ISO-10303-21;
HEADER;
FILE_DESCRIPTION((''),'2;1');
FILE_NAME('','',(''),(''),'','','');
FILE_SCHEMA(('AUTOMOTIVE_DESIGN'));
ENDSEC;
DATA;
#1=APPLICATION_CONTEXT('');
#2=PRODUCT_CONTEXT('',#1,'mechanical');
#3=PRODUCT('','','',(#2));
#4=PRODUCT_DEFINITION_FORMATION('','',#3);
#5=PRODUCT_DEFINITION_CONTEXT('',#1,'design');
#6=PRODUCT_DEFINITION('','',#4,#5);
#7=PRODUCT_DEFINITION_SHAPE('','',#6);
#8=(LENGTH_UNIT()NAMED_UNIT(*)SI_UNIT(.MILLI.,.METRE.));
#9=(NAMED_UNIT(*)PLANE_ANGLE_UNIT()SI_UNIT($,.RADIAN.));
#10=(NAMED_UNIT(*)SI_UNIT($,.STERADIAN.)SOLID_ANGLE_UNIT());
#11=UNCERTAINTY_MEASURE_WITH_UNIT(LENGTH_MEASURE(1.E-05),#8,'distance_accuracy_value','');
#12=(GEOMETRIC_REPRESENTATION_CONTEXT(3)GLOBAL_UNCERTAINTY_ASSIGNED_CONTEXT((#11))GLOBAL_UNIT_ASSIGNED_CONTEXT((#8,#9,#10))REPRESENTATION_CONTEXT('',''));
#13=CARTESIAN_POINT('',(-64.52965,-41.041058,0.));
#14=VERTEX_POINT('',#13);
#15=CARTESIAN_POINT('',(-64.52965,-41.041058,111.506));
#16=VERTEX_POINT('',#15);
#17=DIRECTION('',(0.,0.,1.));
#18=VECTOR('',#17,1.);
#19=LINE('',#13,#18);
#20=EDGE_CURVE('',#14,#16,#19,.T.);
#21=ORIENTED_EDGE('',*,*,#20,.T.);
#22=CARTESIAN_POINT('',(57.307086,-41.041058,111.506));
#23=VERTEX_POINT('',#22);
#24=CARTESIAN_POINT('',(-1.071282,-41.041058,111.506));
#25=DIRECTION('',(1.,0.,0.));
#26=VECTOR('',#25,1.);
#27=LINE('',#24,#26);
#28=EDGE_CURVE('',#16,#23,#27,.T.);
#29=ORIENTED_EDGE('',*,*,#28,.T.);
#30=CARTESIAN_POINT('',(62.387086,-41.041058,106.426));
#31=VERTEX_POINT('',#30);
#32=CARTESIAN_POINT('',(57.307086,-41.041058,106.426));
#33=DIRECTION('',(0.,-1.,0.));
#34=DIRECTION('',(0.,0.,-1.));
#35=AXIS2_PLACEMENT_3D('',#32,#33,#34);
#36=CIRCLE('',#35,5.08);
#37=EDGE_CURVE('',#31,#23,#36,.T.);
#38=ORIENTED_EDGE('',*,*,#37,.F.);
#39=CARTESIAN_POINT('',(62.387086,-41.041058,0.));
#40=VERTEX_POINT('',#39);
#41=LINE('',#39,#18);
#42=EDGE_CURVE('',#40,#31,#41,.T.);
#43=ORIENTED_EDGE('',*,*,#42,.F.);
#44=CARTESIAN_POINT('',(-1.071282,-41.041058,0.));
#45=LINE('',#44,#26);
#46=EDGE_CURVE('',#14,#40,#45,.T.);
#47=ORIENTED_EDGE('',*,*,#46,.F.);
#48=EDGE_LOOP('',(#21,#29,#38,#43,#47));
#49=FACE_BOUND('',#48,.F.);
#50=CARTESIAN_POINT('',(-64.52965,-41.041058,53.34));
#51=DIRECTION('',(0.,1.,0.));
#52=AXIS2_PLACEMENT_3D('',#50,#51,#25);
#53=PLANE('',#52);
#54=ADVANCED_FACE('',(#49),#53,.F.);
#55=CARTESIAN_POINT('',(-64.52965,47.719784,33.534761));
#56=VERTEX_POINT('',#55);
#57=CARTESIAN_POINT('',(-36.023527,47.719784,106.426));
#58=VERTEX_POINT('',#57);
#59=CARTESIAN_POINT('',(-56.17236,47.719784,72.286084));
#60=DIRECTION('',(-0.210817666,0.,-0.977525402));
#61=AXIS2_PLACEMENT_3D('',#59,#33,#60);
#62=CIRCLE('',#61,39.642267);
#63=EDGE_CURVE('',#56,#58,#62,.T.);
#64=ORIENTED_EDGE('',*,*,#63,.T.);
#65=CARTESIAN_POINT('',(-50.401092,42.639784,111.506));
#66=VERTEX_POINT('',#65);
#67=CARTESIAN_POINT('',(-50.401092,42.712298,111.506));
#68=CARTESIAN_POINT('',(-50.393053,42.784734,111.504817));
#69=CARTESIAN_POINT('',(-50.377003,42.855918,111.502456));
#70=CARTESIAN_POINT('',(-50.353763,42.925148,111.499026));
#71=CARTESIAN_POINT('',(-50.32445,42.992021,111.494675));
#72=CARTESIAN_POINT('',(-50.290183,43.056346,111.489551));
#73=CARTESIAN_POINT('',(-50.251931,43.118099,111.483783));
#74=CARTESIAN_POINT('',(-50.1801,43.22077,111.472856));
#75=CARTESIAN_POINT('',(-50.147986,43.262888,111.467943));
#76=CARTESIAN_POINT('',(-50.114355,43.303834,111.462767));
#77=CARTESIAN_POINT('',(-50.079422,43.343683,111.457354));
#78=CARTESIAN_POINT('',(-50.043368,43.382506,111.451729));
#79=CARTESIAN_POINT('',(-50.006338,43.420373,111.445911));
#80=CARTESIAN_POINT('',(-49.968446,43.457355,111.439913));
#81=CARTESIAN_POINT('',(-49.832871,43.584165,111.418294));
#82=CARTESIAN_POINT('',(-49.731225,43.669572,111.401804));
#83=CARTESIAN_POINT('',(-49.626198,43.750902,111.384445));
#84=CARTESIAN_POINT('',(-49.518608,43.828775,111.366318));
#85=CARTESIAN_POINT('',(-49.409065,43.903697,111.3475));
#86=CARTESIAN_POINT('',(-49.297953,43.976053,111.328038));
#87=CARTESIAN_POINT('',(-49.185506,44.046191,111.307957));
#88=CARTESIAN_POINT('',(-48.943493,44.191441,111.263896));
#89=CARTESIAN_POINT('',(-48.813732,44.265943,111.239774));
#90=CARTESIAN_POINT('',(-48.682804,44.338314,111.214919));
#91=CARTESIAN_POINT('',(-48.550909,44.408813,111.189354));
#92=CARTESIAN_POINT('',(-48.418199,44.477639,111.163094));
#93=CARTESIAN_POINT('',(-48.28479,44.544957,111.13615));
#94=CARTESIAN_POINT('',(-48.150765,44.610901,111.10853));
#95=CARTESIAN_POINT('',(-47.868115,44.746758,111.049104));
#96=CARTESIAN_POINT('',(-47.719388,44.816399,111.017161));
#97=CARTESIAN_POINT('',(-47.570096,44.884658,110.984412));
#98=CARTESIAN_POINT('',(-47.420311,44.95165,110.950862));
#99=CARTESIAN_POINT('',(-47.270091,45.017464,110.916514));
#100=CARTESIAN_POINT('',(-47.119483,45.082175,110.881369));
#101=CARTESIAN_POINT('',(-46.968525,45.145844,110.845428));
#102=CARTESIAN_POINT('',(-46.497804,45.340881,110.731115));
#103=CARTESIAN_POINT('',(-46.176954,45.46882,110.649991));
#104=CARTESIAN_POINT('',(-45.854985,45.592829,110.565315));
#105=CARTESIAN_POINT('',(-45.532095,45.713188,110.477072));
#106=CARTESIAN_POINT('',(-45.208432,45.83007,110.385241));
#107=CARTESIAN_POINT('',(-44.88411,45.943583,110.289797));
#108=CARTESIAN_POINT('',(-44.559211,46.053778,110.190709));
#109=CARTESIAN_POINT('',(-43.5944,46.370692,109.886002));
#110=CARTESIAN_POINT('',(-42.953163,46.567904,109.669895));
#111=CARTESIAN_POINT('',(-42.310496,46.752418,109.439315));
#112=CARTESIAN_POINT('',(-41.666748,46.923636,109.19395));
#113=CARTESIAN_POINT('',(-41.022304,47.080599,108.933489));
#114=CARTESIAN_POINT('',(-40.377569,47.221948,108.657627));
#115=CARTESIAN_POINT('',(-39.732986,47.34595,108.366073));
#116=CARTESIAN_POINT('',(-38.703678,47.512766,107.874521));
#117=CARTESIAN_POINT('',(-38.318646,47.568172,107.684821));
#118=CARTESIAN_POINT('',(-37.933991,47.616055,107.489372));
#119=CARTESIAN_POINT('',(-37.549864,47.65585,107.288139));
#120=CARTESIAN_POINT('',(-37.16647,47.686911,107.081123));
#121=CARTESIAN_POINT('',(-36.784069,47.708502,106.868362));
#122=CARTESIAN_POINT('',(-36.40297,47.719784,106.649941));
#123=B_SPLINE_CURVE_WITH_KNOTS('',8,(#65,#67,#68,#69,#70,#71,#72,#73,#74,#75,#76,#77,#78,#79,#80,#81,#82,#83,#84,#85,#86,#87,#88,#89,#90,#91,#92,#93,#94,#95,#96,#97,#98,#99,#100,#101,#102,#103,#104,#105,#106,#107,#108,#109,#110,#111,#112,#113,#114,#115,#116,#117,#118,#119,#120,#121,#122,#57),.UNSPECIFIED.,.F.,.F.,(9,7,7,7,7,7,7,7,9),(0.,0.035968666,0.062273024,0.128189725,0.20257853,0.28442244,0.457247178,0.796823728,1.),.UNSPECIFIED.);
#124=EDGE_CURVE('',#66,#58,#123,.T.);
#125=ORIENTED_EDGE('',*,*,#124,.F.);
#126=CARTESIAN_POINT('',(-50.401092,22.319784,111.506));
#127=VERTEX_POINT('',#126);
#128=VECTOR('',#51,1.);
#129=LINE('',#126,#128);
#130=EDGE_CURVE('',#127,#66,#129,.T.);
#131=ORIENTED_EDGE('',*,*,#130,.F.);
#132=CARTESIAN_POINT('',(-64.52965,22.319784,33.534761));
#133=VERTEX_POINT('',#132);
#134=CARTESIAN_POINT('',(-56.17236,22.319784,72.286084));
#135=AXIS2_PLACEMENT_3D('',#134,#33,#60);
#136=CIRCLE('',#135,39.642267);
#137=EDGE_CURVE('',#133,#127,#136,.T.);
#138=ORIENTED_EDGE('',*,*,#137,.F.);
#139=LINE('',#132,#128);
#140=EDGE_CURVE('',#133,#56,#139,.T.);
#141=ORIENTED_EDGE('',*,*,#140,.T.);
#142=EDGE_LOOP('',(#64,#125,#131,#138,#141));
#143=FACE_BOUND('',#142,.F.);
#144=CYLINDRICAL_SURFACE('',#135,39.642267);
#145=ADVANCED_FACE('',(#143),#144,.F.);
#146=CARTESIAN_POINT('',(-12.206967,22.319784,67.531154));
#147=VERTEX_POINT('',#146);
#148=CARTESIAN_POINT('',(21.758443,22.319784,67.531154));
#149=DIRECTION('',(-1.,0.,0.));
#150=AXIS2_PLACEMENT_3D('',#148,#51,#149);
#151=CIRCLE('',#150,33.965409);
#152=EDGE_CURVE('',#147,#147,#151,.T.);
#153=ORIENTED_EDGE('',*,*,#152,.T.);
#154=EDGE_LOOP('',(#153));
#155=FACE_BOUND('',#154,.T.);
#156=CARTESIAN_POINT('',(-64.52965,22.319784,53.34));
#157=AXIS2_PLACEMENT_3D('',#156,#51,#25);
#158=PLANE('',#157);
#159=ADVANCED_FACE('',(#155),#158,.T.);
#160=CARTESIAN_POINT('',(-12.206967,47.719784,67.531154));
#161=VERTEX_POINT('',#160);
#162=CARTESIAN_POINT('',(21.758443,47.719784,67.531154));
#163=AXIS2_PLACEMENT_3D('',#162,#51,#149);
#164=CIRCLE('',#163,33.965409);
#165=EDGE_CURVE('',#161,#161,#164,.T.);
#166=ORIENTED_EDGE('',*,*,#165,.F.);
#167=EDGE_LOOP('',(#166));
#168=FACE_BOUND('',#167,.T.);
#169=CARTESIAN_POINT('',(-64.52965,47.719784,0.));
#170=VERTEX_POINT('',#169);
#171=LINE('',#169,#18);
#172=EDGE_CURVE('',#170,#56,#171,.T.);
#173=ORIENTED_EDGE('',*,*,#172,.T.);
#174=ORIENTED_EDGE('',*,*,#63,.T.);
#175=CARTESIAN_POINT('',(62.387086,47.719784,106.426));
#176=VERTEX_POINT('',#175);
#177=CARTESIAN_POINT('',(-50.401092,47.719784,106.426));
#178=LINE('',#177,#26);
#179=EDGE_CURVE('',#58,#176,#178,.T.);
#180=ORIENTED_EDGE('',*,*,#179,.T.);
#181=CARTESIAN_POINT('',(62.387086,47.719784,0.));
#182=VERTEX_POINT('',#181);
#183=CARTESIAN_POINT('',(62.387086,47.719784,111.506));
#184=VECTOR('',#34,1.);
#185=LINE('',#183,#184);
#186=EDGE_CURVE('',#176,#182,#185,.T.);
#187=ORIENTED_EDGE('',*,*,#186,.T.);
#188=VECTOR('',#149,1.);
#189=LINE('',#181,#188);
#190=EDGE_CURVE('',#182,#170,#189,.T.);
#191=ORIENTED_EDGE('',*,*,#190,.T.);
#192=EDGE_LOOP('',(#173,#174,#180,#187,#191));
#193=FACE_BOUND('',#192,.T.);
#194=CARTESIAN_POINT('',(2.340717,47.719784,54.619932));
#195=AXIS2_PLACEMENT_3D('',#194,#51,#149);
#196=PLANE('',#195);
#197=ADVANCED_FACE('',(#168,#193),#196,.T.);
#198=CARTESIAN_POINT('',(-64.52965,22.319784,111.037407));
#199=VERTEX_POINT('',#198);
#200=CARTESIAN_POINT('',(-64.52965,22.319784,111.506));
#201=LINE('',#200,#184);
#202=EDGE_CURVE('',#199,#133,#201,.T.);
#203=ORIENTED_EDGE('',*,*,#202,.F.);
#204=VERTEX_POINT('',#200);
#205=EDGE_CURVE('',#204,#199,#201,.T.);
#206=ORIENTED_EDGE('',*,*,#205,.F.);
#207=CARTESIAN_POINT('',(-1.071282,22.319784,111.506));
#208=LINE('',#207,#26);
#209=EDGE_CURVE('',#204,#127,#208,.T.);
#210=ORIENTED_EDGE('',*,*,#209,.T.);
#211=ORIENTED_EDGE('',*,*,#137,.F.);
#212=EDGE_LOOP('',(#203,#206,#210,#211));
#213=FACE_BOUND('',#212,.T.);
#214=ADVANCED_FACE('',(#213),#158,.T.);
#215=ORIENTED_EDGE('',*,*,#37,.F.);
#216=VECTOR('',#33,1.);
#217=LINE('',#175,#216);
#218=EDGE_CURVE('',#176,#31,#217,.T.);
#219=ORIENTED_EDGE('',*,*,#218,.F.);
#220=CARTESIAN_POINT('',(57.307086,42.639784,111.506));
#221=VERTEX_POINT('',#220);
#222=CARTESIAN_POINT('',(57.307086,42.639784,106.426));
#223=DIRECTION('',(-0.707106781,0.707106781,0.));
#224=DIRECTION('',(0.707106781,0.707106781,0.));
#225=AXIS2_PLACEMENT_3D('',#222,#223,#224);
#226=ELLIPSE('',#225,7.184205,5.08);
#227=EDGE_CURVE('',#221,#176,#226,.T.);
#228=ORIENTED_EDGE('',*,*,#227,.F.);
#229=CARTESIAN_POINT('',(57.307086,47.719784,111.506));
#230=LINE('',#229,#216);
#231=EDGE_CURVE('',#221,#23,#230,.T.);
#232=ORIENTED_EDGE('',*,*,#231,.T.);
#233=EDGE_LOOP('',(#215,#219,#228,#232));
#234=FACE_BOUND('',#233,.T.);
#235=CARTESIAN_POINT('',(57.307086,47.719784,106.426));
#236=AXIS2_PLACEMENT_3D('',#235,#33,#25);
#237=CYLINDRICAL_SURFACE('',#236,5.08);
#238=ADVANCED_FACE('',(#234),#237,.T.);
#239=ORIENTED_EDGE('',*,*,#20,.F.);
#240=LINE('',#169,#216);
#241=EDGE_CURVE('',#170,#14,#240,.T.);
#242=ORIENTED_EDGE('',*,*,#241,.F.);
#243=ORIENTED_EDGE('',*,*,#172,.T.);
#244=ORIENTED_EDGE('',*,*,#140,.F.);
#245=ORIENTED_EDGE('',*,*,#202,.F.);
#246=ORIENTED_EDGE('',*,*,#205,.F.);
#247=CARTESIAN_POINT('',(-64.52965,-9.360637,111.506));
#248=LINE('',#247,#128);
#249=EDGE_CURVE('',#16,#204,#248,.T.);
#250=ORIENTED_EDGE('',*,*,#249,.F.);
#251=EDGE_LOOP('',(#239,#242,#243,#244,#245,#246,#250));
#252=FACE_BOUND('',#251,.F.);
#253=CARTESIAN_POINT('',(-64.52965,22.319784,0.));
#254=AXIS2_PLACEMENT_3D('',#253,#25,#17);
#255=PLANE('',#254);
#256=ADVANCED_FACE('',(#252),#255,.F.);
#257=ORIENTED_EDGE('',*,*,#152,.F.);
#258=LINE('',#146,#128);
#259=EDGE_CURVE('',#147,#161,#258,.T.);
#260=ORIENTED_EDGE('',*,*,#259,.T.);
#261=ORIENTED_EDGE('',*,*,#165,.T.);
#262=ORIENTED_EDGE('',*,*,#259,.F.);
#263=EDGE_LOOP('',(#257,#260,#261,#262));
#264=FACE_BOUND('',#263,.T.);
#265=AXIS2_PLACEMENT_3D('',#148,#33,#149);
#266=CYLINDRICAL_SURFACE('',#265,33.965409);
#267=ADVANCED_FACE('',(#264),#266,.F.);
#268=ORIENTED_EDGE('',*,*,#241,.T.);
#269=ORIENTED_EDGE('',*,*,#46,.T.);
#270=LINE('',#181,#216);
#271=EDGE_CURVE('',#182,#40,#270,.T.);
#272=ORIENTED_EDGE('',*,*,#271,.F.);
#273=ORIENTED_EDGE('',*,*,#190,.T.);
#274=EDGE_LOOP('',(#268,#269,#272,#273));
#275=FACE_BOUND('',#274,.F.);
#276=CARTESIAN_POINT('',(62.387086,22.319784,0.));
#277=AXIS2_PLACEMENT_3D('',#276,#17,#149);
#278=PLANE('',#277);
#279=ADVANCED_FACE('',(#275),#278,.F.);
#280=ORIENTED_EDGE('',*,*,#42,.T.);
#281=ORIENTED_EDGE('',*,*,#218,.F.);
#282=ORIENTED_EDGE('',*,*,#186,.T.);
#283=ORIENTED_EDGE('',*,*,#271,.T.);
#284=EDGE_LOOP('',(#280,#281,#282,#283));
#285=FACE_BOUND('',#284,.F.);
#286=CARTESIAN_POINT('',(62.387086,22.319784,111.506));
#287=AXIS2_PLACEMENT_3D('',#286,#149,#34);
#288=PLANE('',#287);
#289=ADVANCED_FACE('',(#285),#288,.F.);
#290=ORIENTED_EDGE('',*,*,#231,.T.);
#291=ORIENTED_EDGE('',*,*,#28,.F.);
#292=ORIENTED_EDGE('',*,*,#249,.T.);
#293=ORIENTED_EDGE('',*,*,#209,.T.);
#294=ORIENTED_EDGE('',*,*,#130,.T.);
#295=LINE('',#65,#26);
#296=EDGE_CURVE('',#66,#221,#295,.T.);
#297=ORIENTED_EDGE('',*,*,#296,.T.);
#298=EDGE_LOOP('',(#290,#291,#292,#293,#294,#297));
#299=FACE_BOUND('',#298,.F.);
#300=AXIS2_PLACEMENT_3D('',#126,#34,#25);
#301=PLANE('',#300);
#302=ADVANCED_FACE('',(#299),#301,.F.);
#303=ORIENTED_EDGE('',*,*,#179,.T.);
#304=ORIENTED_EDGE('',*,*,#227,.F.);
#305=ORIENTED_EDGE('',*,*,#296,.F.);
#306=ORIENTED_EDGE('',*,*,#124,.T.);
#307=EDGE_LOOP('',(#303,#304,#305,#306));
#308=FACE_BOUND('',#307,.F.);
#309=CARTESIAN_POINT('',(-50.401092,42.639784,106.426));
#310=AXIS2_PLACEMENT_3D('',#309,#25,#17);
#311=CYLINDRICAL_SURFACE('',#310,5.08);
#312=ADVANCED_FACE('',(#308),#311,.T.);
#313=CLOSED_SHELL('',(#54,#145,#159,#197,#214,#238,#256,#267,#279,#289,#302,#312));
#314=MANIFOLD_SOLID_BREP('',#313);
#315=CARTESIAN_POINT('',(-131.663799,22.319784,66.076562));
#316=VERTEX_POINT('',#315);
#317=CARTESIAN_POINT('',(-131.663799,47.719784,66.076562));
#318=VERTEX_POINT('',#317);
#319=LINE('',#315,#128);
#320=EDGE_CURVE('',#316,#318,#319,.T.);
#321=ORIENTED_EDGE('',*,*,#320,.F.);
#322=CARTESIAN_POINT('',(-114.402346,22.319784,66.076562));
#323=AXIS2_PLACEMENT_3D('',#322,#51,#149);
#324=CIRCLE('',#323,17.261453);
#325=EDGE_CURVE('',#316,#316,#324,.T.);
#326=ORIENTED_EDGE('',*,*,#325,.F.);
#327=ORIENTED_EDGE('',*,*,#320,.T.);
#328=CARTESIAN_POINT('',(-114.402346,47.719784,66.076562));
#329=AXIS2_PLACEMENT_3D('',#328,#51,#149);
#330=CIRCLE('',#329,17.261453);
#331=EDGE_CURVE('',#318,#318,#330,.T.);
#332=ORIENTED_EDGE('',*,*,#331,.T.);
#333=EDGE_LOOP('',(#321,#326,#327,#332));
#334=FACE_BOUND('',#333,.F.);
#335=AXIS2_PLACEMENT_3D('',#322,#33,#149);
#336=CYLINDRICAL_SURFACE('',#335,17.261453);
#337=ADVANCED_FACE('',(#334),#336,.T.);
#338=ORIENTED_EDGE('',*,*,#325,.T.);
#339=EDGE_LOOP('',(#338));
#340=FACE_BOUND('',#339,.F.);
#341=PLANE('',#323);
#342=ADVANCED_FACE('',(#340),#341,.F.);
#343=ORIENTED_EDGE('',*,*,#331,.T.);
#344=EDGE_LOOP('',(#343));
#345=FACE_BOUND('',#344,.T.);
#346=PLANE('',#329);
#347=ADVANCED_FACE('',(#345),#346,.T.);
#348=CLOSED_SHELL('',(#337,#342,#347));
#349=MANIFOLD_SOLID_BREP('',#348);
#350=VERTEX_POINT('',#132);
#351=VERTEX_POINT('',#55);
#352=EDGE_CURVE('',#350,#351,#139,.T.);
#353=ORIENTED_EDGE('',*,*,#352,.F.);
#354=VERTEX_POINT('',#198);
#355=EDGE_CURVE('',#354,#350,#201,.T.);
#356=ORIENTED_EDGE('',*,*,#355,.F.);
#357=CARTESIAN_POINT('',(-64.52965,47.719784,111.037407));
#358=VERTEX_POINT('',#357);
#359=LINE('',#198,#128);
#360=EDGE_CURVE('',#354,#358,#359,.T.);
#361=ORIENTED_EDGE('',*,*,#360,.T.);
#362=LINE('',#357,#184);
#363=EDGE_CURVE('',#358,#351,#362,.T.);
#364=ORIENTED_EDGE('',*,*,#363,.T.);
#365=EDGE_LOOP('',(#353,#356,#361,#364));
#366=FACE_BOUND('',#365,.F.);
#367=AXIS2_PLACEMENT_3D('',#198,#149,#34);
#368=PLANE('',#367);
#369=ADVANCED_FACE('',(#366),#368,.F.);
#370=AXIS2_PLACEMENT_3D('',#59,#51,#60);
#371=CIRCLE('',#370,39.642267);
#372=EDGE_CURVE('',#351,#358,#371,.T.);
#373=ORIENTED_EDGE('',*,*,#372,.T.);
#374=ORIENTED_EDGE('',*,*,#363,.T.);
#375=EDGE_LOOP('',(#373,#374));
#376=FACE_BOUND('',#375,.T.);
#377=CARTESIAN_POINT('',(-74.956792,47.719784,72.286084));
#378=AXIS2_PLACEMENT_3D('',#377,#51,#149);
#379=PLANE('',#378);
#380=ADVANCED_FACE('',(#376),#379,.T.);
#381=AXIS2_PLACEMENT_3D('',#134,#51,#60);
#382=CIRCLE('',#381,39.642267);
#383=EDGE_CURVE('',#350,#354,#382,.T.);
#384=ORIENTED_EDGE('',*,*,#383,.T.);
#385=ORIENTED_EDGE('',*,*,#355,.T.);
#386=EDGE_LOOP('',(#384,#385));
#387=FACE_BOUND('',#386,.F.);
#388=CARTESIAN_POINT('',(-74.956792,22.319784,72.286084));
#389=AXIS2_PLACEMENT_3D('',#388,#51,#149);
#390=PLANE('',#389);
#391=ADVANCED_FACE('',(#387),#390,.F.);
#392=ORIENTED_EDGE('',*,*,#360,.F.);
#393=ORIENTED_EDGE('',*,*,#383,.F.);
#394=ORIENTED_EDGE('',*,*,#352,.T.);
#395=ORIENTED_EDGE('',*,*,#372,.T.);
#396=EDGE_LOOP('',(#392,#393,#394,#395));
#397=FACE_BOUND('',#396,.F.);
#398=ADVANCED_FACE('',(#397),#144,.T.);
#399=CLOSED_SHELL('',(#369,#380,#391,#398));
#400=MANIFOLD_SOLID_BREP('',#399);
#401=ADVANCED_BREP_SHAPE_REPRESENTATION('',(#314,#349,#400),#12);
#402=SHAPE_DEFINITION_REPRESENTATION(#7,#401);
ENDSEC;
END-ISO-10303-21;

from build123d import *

# Parameters (mm, degrees)
F0_W     = 126.9167363644
F0_H     = 63.3608419448
F1_DEPTH = 53.34
F2_DEPTH = 58.166
F3_R     = 17.261452949
F4_DEPTH = 25.4
F3_R_2   = 33.9654092875
F5_R     = 5.08


with BuildPart() as f1:
    # F0 (on Top) → F1 (new body)
    with BuildSketch(Plane.XY):
        with Locations((-1.0712817311, -9.3606365845)):
            Rectangle(F0_W, F0_H)
    extrude(amount=F1_DEPTH)

    # F2 (add): a face of the model
    f2_faces = [f1.faces().sort_by_distance(p)[0] for p in [
        (-1.0712817311, -9.3606365845, 53.34),
    ]]
    extrude(f2_faces, amount=F2_DEPTH)

    # F3 (on face) → F4, piece 2 (join)
    with BuildSketch(Plane(origin=(0, 22.3197843879, 0), x_dir=(-1, 0, 0), z_dir=(0, 1, 0))):
        with BuildLine():
            ThreePointArc((64.5296499133, 33.5347614391), (87.0172235672, 47.3842028932), (95.8146265993, 72.2860842943))
            ThreePointArc((95.8146265993, 72.2860842943), (87.0172235672, 97.1879656955), (64.5296499133, 111.0374071495))
            Line((64.5296499133, 111.0374071495), (64.5296499133, 33.5347614391))
        make_face()
        with BuildLine():
            Line((64.5296499133, 0), (64.5296499133, 33.5347614391))
            ThreePointArc((64.5296499133, 33.5347614391), (17.1653041118, 65.2179208988), (50.4010917462, 111.506))
            Line((50.4010917462, 111.506), (-62.3870864511, 111.506))
            Line((-62.3870864511, 111.506), (-62.3870864511, 0))
            Line((-62.3870864511, 0), (64.5296499133, 0))
        make_face()
        with Locations((-21.7584427446, 67.5311535597)):
            Circle(F3_R_2, mode=Mode.SUBTRACT)
    extrude(amount=F4_DEPTH)

    # F5
    f5_edges = [f1.edges().sort_by_distance(p)[0] for p in [
        (5.992997, 47.719784, 111.506),
        (62.387086, 3.339363, 111.506),
    ]]
    fillet(f5_edges, radius=F5_R)


with BuildPart() as f4:
    # F3 (on face) → F4 (new body)
    with BuildSketch(Plane(origin=(0, 22.3197843879, 0), x_dir=(-1, 0, 0), z_dir=(0, 1, 0))):
        with Locations((114.402346313, 66.0765618086)):
            Circle(F3_R)
    extrude(amount=F4_DEPTH)


solid = Compound([f1.part, f4.part])
